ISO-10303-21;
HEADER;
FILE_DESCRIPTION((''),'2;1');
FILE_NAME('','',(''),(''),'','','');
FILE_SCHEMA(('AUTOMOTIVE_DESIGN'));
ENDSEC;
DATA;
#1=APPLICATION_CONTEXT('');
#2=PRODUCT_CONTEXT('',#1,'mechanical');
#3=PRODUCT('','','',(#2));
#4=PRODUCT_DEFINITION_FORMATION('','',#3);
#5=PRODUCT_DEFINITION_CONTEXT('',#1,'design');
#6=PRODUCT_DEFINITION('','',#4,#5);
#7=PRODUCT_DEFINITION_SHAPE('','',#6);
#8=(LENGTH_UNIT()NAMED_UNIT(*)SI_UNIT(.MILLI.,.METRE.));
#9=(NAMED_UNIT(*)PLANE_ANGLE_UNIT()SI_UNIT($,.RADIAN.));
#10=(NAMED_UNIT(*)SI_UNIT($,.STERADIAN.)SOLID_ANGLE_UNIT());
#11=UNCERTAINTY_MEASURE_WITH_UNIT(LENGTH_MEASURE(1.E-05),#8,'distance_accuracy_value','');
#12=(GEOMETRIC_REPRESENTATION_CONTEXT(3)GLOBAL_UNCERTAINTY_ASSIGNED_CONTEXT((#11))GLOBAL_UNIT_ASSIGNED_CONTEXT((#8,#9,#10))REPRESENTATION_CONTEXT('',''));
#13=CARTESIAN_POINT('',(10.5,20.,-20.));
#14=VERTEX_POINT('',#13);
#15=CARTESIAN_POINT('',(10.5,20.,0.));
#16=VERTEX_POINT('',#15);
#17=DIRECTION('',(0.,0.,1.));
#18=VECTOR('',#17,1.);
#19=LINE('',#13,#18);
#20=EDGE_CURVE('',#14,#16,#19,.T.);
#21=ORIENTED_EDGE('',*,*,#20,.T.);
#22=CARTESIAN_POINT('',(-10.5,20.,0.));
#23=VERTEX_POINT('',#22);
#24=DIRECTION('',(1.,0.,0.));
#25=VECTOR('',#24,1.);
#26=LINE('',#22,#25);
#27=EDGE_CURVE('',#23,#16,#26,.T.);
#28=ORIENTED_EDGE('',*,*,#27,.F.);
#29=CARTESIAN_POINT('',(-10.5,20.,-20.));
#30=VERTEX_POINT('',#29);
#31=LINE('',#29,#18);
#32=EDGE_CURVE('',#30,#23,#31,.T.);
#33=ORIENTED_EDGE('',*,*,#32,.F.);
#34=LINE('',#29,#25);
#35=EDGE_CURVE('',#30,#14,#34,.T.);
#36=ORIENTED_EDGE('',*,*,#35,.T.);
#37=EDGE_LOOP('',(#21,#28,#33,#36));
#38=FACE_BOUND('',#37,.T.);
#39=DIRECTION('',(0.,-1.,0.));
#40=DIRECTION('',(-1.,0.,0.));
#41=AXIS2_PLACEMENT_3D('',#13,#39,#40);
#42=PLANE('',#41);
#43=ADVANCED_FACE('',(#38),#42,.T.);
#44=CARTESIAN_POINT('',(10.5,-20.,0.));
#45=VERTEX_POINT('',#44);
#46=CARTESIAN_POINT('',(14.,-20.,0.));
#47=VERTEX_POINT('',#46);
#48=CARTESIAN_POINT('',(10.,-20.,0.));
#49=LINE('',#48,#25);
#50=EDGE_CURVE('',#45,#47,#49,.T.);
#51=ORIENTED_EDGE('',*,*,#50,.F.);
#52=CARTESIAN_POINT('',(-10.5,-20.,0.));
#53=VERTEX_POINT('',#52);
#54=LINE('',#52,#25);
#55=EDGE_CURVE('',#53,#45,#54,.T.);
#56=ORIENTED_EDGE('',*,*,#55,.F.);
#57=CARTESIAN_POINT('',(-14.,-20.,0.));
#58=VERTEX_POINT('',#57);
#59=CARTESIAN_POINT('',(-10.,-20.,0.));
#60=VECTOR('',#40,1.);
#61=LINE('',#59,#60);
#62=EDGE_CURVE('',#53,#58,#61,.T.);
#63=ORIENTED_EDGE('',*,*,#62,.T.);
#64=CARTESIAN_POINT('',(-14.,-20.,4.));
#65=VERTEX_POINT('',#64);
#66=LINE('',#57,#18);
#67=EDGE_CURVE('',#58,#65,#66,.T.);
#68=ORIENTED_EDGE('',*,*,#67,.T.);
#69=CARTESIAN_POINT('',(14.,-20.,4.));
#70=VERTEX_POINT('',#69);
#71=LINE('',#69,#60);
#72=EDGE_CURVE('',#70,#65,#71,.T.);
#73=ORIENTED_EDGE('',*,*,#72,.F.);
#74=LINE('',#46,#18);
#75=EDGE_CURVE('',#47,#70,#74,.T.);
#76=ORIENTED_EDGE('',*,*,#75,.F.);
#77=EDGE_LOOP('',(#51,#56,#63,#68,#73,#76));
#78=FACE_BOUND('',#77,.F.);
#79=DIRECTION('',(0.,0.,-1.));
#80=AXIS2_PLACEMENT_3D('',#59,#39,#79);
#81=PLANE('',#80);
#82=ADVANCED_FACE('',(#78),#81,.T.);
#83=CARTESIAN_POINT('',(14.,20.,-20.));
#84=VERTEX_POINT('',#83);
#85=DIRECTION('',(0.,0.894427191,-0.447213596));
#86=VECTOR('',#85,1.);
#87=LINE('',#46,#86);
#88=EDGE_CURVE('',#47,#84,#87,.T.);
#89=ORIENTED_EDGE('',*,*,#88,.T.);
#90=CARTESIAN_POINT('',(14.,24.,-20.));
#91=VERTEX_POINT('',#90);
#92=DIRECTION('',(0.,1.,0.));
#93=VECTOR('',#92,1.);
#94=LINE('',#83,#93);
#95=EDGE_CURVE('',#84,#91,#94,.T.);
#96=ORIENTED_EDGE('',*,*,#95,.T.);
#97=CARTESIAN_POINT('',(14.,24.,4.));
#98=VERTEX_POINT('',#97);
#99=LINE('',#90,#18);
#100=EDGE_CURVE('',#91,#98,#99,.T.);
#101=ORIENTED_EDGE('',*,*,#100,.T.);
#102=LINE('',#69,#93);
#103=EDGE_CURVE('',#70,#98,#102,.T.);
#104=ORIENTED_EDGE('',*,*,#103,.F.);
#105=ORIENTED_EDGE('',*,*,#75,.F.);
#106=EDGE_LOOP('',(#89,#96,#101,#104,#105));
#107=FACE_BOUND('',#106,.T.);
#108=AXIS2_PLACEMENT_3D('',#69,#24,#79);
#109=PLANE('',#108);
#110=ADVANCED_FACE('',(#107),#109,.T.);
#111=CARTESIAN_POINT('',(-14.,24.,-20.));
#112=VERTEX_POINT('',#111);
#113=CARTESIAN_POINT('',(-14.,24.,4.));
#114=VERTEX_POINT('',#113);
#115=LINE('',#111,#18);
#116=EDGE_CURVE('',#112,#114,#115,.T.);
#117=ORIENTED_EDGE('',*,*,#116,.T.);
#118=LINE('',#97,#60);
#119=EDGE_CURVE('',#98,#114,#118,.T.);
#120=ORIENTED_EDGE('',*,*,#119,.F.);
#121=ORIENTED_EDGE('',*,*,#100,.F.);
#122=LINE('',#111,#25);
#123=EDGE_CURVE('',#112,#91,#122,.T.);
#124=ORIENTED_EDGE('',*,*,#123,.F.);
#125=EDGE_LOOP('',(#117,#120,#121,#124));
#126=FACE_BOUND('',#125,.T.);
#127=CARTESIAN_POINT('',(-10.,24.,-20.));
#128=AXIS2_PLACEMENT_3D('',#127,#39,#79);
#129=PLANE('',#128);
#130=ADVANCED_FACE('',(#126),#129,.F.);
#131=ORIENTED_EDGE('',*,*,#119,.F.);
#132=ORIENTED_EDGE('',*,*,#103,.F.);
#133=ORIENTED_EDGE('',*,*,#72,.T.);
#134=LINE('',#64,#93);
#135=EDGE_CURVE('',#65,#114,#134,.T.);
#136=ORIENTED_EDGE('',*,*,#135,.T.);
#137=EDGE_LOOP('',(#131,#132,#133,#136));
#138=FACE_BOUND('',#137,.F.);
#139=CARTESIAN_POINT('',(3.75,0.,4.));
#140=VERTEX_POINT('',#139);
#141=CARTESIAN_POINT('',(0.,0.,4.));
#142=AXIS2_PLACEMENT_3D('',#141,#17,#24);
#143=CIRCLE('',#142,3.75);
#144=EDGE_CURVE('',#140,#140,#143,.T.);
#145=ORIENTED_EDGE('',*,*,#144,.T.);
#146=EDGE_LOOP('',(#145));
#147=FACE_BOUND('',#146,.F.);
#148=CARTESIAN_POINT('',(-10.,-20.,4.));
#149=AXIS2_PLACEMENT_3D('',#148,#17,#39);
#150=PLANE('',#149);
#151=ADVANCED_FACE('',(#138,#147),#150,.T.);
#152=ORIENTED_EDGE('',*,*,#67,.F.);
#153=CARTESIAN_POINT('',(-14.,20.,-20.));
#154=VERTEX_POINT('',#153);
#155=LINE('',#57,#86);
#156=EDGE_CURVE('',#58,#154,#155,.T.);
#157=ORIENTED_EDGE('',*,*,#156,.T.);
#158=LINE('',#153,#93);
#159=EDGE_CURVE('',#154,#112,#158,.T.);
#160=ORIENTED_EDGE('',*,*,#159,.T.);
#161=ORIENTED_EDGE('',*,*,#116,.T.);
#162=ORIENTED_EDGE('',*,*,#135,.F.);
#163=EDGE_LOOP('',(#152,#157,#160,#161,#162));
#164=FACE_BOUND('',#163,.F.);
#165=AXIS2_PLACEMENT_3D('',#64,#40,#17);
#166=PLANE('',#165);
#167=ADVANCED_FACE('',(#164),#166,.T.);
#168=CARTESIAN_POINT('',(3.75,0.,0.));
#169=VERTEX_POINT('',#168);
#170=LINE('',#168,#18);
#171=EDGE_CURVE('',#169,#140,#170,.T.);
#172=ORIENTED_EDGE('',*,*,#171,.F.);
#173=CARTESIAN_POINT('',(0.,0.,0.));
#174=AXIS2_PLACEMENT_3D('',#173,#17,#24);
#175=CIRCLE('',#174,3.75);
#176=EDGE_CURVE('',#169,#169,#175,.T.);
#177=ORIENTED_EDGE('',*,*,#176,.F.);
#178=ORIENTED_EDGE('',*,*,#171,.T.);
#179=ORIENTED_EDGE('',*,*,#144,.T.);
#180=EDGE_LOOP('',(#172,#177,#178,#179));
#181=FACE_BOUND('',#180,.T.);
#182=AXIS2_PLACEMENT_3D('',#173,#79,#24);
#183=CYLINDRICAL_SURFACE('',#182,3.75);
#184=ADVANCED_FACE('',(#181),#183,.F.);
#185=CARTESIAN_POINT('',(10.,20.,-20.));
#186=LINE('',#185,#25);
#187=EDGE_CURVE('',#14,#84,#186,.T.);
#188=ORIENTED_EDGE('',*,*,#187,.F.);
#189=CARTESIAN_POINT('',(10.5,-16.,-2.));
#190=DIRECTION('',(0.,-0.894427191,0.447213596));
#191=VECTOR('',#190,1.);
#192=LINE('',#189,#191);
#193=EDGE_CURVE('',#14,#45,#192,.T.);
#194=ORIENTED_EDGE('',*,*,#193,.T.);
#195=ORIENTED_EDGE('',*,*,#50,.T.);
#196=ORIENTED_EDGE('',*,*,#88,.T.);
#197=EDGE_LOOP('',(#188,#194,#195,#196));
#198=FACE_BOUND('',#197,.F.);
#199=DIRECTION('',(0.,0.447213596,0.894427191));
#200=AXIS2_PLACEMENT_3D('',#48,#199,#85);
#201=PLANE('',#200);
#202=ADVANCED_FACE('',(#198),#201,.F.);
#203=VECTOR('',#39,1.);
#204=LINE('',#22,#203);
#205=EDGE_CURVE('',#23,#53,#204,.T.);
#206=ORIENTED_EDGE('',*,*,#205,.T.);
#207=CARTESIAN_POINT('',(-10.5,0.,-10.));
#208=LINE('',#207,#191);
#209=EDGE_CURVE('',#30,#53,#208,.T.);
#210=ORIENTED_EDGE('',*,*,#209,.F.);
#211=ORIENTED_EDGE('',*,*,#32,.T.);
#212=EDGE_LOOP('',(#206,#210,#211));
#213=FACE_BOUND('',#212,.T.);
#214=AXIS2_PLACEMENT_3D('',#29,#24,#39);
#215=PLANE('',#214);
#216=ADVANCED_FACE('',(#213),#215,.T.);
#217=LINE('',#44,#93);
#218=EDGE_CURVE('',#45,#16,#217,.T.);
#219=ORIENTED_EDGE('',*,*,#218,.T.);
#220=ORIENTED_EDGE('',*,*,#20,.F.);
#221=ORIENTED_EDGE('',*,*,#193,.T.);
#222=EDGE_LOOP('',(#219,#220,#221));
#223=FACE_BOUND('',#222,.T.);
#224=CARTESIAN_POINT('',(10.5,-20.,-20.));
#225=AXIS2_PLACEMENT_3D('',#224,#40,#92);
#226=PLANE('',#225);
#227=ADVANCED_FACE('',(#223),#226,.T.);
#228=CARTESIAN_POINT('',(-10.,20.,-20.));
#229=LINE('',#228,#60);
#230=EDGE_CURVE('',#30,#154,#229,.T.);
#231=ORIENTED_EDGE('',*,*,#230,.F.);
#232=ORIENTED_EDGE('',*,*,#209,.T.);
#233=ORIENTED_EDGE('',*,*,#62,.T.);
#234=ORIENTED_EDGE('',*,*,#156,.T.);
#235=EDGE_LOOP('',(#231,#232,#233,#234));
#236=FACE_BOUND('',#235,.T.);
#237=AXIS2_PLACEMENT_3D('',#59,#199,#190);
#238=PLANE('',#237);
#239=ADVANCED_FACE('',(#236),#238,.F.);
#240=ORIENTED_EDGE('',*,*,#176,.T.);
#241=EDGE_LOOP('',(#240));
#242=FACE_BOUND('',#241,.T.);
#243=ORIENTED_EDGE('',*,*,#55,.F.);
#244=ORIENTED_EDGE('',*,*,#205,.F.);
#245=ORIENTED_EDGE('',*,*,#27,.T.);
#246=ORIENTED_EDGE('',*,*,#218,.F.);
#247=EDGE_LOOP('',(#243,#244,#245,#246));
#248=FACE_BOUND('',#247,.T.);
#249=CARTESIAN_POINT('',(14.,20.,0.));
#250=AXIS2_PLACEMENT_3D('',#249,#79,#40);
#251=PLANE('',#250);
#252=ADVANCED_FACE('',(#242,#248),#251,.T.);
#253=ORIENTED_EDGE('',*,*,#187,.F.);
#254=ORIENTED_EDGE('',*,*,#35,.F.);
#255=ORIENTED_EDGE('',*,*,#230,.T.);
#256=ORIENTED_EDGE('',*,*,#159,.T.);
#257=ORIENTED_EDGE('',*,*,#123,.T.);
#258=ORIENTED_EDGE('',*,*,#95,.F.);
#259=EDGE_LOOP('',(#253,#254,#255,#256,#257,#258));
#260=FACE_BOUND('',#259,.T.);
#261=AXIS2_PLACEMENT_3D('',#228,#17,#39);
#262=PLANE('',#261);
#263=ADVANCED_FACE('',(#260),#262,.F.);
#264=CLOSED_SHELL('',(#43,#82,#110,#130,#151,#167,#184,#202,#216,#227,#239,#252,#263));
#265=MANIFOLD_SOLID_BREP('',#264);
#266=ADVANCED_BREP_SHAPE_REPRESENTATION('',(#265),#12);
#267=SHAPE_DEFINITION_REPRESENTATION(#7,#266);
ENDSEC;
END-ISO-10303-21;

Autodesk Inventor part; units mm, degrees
ref_plane "YZ Plane" through (0, 0, 0) normal (1, 0, 0) x (0, 1, 0)
ref_plane "XZ Plane" through (0, 0, 0) normal (0, 1, 0) x (-1, 0, 0)
ref_plane "XY Plane" through (0, 0, 0) normal (0, 0, 1) x (1, 0, 0)
sketch "Sketch1" plane through (0, 0, 0) normal (0, 0, 1) x (1, 0, 0)
  circle A0 centre (0, 0) radius 3.75
  line L0 (-10, 20) -> (10, 20)
  line L1 (10, 20) -> (10, -20)
  line L2 (10, -20) -> (-10, -20)
  line L3 (-10, -20) -> (-10, 20)
  line L4 (-10, 20) -> (10, -20) construction
  line L5 (10, 20) -> (-10, -20) construction
  dimension "d0" = 7.5
  dimension "d1" = 40
  dimension "d2" = 20
extrude "Extrusion1" add sketch "Sketch1" along normal blind 4
sketch "Sketch2" plane through (-10, 20, 0) normal (0, 1, 0) x (1, 0, 0)
  line L0 (20, -4) -> (0, -4) projected
  line L1 (0, -4) -> (20, -4)
  line L2 (20, -4) -> (20, 20)
  line L3 (20, 20) -> (0, 20)
  line L4 (0, 20) -> (0, -4)
  point P0 (10, 0)
  dimension "d5" = 24
extrude "Extrusion2" add sketch "Sketch2" along normal blind 4
sketch "Sketch3" plane through (10, -20, 4) normal (1, 0, 0) x (0, 0, -1)
  line L0 (4, 0) -> (0, 0) projected
  line L1 (4, 40) -> (24, 40) projected
  line L2 (4, 0) -> (24, 40)
  line L3 (24, 40) -> (24, 44) projected
  line L4 (24, 40) -> (24, 44)
  line L5 (24, 44) -> (0, 44) projected
  line L6 (24, 44) -> (0, 44)
  line L7 (0, 0) -> (0, 44) projected
  line L8 (0, 44) -> (0, 0)
  line L9 (0, 0) -> (4, 0)
  point P0 (4, 20)
extrude "Extrusion3" add sketch "Sketch3" along normal blind 4
ref_plane "Work Plane1" through (0, -20, 4) normal (1, 0, 0) x (0, 0, -1)
mirror "Mirror1" about plane through (0, -20, 4) normal (1, 0, 0) of "Extrusion3"
sketch "Sketch4" plane through (14, 20, -20) normal (0, 0, -1) x (-1, 0, 0)
  line L0 (3.5, 0) -> (24.5, 0)
  line L1 (24.5, 0) -> (24.5, -40)
  line L2 (24.5, -40) -> (3.5, -40)
  line L3 (3.5, -40) -> (3.5, 0)
  line L4 (3.5, 0) -> (24.5, -40) construction
  line L5 (24.5, 0) -> (3.5, -40) construction
  point P0 (14, -20)
  dimension "d11" = 21
  dimension "d12" = 40
extrude "Extrusion4" cut sketch "Sketch4" against normal blind 20
properties part number "Gabarito Furo BOX 20"
